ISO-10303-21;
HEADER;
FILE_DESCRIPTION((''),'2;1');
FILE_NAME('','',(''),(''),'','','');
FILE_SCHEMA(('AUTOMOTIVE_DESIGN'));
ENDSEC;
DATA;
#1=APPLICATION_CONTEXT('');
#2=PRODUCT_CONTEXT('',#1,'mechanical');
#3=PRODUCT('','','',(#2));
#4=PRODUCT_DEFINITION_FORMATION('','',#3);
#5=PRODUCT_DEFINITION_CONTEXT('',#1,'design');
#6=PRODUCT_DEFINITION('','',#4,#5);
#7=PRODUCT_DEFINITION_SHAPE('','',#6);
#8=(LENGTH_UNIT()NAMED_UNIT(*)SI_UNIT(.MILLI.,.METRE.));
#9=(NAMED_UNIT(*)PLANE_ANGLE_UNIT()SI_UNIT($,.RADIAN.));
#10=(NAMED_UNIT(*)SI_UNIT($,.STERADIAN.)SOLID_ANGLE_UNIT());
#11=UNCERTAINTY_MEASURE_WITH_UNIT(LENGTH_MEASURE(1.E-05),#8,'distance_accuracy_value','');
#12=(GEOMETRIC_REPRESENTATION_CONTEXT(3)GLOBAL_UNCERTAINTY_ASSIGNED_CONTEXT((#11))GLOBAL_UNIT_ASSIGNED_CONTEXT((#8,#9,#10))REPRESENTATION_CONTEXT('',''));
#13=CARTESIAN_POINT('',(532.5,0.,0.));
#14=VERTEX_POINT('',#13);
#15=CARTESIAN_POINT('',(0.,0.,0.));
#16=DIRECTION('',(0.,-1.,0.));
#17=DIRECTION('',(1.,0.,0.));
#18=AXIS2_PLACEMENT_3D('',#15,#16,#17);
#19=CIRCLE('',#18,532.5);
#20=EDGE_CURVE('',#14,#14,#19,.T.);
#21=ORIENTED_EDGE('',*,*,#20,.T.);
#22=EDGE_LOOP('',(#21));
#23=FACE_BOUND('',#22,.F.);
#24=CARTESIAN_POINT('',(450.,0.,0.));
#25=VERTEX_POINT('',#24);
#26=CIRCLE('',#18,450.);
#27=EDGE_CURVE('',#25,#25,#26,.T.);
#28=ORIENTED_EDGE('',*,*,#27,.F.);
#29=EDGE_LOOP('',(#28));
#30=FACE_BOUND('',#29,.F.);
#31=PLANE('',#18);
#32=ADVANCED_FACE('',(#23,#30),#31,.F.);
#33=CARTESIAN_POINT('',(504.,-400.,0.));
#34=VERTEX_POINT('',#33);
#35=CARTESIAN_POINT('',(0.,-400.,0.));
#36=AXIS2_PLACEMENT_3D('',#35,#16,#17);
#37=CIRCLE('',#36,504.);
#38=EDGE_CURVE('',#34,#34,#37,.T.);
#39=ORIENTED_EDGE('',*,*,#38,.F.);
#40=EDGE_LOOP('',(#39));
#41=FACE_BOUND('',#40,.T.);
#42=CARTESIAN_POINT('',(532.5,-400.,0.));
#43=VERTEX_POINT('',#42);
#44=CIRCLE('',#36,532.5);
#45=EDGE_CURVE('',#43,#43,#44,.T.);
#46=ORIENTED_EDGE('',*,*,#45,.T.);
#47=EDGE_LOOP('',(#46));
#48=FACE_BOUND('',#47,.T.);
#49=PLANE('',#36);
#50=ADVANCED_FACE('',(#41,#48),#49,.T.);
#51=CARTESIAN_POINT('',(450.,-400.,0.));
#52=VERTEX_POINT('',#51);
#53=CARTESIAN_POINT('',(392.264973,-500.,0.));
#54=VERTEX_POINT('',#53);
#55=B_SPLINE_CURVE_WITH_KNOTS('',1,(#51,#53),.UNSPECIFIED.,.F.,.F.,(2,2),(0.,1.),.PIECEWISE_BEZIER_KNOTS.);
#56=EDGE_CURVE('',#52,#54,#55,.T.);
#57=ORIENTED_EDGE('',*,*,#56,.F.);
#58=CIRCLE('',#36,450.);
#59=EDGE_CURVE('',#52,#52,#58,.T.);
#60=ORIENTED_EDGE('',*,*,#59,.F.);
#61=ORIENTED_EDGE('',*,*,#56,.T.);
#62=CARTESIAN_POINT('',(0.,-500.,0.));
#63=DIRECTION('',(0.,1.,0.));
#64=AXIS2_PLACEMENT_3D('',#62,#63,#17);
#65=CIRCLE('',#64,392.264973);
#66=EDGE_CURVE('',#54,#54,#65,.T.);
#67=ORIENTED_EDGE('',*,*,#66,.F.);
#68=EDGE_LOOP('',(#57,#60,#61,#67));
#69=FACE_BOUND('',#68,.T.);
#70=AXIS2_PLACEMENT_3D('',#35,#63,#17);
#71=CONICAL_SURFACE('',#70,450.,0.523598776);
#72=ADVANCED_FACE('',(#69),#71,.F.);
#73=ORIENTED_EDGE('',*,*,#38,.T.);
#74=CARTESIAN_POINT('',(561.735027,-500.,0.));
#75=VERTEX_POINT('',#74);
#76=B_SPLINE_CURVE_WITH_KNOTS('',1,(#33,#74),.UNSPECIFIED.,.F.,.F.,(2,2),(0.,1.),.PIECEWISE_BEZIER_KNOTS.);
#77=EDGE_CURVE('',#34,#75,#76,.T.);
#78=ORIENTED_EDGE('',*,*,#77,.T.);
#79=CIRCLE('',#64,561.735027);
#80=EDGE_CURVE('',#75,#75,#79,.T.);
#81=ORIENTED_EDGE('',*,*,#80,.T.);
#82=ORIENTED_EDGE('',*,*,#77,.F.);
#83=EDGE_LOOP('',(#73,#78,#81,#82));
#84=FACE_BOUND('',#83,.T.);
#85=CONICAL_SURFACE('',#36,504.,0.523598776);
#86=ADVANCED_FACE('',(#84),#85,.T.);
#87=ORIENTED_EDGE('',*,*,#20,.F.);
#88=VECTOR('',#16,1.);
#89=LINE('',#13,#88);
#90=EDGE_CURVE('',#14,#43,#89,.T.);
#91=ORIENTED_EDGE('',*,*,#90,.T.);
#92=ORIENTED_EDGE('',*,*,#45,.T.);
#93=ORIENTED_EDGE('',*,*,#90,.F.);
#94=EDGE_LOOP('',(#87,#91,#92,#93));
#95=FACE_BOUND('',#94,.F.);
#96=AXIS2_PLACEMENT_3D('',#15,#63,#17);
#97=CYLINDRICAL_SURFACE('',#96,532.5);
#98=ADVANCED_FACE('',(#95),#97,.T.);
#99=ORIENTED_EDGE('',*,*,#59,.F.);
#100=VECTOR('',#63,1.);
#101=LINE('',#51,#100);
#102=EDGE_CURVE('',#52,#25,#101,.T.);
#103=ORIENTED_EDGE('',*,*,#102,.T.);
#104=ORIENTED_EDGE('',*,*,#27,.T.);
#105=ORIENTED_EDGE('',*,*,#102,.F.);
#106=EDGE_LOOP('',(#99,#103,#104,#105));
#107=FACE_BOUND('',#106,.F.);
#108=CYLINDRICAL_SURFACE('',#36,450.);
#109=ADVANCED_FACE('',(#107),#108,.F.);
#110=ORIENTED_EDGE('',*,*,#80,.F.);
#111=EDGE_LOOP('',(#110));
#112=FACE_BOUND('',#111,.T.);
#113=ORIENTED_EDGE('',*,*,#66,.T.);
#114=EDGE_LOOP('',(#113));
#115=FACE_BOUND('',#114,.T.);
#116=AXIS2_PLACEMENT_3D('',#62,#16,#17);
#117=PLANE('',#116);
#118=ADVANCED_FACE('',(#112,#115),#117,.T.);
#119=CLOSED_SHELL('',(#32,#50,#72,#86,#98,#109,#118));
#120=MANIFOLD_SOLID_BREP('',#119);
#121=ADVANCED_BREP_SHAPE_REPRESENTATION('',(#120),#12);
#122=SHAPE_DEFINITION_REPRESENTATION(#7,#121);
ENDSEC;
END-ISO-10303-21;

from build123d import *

# Parameters (mm, degrees)
F0_R     = 532.5
F1_DEPTH = 400
F2_R     = 450
F3_DEPTH = 400
F4_R     = 504
F4_R_2   = 450
F5_DEPTH = 100
F5_TAPER = -30


with BuildPart() as f1:
    # F0 (on Front) → F1 (new body)
    with BuildSketch(Plane.XZ):
        Circle(F0_R)
    extrude(amount=F1_DEPTH)

    # F2 (on face) → F3 (cut)
    with BuildSketch(Plane.XZ.offset(400)):
        Circle(F2_R)
    extrude(amount=-F3_DEPTH, mode=Mode.SUBTRACT)

    # F4 (on face) → F5 (join)
    with BuildSketch(Plane.XZ.offset(400)):
        Circle(F4_R)
        Circle(F4_R_2, mode=Mode.SUBTRACT)
    extrude(amount=F5_DEPTH, taper=F5_TAPER)


solid = f1.part
